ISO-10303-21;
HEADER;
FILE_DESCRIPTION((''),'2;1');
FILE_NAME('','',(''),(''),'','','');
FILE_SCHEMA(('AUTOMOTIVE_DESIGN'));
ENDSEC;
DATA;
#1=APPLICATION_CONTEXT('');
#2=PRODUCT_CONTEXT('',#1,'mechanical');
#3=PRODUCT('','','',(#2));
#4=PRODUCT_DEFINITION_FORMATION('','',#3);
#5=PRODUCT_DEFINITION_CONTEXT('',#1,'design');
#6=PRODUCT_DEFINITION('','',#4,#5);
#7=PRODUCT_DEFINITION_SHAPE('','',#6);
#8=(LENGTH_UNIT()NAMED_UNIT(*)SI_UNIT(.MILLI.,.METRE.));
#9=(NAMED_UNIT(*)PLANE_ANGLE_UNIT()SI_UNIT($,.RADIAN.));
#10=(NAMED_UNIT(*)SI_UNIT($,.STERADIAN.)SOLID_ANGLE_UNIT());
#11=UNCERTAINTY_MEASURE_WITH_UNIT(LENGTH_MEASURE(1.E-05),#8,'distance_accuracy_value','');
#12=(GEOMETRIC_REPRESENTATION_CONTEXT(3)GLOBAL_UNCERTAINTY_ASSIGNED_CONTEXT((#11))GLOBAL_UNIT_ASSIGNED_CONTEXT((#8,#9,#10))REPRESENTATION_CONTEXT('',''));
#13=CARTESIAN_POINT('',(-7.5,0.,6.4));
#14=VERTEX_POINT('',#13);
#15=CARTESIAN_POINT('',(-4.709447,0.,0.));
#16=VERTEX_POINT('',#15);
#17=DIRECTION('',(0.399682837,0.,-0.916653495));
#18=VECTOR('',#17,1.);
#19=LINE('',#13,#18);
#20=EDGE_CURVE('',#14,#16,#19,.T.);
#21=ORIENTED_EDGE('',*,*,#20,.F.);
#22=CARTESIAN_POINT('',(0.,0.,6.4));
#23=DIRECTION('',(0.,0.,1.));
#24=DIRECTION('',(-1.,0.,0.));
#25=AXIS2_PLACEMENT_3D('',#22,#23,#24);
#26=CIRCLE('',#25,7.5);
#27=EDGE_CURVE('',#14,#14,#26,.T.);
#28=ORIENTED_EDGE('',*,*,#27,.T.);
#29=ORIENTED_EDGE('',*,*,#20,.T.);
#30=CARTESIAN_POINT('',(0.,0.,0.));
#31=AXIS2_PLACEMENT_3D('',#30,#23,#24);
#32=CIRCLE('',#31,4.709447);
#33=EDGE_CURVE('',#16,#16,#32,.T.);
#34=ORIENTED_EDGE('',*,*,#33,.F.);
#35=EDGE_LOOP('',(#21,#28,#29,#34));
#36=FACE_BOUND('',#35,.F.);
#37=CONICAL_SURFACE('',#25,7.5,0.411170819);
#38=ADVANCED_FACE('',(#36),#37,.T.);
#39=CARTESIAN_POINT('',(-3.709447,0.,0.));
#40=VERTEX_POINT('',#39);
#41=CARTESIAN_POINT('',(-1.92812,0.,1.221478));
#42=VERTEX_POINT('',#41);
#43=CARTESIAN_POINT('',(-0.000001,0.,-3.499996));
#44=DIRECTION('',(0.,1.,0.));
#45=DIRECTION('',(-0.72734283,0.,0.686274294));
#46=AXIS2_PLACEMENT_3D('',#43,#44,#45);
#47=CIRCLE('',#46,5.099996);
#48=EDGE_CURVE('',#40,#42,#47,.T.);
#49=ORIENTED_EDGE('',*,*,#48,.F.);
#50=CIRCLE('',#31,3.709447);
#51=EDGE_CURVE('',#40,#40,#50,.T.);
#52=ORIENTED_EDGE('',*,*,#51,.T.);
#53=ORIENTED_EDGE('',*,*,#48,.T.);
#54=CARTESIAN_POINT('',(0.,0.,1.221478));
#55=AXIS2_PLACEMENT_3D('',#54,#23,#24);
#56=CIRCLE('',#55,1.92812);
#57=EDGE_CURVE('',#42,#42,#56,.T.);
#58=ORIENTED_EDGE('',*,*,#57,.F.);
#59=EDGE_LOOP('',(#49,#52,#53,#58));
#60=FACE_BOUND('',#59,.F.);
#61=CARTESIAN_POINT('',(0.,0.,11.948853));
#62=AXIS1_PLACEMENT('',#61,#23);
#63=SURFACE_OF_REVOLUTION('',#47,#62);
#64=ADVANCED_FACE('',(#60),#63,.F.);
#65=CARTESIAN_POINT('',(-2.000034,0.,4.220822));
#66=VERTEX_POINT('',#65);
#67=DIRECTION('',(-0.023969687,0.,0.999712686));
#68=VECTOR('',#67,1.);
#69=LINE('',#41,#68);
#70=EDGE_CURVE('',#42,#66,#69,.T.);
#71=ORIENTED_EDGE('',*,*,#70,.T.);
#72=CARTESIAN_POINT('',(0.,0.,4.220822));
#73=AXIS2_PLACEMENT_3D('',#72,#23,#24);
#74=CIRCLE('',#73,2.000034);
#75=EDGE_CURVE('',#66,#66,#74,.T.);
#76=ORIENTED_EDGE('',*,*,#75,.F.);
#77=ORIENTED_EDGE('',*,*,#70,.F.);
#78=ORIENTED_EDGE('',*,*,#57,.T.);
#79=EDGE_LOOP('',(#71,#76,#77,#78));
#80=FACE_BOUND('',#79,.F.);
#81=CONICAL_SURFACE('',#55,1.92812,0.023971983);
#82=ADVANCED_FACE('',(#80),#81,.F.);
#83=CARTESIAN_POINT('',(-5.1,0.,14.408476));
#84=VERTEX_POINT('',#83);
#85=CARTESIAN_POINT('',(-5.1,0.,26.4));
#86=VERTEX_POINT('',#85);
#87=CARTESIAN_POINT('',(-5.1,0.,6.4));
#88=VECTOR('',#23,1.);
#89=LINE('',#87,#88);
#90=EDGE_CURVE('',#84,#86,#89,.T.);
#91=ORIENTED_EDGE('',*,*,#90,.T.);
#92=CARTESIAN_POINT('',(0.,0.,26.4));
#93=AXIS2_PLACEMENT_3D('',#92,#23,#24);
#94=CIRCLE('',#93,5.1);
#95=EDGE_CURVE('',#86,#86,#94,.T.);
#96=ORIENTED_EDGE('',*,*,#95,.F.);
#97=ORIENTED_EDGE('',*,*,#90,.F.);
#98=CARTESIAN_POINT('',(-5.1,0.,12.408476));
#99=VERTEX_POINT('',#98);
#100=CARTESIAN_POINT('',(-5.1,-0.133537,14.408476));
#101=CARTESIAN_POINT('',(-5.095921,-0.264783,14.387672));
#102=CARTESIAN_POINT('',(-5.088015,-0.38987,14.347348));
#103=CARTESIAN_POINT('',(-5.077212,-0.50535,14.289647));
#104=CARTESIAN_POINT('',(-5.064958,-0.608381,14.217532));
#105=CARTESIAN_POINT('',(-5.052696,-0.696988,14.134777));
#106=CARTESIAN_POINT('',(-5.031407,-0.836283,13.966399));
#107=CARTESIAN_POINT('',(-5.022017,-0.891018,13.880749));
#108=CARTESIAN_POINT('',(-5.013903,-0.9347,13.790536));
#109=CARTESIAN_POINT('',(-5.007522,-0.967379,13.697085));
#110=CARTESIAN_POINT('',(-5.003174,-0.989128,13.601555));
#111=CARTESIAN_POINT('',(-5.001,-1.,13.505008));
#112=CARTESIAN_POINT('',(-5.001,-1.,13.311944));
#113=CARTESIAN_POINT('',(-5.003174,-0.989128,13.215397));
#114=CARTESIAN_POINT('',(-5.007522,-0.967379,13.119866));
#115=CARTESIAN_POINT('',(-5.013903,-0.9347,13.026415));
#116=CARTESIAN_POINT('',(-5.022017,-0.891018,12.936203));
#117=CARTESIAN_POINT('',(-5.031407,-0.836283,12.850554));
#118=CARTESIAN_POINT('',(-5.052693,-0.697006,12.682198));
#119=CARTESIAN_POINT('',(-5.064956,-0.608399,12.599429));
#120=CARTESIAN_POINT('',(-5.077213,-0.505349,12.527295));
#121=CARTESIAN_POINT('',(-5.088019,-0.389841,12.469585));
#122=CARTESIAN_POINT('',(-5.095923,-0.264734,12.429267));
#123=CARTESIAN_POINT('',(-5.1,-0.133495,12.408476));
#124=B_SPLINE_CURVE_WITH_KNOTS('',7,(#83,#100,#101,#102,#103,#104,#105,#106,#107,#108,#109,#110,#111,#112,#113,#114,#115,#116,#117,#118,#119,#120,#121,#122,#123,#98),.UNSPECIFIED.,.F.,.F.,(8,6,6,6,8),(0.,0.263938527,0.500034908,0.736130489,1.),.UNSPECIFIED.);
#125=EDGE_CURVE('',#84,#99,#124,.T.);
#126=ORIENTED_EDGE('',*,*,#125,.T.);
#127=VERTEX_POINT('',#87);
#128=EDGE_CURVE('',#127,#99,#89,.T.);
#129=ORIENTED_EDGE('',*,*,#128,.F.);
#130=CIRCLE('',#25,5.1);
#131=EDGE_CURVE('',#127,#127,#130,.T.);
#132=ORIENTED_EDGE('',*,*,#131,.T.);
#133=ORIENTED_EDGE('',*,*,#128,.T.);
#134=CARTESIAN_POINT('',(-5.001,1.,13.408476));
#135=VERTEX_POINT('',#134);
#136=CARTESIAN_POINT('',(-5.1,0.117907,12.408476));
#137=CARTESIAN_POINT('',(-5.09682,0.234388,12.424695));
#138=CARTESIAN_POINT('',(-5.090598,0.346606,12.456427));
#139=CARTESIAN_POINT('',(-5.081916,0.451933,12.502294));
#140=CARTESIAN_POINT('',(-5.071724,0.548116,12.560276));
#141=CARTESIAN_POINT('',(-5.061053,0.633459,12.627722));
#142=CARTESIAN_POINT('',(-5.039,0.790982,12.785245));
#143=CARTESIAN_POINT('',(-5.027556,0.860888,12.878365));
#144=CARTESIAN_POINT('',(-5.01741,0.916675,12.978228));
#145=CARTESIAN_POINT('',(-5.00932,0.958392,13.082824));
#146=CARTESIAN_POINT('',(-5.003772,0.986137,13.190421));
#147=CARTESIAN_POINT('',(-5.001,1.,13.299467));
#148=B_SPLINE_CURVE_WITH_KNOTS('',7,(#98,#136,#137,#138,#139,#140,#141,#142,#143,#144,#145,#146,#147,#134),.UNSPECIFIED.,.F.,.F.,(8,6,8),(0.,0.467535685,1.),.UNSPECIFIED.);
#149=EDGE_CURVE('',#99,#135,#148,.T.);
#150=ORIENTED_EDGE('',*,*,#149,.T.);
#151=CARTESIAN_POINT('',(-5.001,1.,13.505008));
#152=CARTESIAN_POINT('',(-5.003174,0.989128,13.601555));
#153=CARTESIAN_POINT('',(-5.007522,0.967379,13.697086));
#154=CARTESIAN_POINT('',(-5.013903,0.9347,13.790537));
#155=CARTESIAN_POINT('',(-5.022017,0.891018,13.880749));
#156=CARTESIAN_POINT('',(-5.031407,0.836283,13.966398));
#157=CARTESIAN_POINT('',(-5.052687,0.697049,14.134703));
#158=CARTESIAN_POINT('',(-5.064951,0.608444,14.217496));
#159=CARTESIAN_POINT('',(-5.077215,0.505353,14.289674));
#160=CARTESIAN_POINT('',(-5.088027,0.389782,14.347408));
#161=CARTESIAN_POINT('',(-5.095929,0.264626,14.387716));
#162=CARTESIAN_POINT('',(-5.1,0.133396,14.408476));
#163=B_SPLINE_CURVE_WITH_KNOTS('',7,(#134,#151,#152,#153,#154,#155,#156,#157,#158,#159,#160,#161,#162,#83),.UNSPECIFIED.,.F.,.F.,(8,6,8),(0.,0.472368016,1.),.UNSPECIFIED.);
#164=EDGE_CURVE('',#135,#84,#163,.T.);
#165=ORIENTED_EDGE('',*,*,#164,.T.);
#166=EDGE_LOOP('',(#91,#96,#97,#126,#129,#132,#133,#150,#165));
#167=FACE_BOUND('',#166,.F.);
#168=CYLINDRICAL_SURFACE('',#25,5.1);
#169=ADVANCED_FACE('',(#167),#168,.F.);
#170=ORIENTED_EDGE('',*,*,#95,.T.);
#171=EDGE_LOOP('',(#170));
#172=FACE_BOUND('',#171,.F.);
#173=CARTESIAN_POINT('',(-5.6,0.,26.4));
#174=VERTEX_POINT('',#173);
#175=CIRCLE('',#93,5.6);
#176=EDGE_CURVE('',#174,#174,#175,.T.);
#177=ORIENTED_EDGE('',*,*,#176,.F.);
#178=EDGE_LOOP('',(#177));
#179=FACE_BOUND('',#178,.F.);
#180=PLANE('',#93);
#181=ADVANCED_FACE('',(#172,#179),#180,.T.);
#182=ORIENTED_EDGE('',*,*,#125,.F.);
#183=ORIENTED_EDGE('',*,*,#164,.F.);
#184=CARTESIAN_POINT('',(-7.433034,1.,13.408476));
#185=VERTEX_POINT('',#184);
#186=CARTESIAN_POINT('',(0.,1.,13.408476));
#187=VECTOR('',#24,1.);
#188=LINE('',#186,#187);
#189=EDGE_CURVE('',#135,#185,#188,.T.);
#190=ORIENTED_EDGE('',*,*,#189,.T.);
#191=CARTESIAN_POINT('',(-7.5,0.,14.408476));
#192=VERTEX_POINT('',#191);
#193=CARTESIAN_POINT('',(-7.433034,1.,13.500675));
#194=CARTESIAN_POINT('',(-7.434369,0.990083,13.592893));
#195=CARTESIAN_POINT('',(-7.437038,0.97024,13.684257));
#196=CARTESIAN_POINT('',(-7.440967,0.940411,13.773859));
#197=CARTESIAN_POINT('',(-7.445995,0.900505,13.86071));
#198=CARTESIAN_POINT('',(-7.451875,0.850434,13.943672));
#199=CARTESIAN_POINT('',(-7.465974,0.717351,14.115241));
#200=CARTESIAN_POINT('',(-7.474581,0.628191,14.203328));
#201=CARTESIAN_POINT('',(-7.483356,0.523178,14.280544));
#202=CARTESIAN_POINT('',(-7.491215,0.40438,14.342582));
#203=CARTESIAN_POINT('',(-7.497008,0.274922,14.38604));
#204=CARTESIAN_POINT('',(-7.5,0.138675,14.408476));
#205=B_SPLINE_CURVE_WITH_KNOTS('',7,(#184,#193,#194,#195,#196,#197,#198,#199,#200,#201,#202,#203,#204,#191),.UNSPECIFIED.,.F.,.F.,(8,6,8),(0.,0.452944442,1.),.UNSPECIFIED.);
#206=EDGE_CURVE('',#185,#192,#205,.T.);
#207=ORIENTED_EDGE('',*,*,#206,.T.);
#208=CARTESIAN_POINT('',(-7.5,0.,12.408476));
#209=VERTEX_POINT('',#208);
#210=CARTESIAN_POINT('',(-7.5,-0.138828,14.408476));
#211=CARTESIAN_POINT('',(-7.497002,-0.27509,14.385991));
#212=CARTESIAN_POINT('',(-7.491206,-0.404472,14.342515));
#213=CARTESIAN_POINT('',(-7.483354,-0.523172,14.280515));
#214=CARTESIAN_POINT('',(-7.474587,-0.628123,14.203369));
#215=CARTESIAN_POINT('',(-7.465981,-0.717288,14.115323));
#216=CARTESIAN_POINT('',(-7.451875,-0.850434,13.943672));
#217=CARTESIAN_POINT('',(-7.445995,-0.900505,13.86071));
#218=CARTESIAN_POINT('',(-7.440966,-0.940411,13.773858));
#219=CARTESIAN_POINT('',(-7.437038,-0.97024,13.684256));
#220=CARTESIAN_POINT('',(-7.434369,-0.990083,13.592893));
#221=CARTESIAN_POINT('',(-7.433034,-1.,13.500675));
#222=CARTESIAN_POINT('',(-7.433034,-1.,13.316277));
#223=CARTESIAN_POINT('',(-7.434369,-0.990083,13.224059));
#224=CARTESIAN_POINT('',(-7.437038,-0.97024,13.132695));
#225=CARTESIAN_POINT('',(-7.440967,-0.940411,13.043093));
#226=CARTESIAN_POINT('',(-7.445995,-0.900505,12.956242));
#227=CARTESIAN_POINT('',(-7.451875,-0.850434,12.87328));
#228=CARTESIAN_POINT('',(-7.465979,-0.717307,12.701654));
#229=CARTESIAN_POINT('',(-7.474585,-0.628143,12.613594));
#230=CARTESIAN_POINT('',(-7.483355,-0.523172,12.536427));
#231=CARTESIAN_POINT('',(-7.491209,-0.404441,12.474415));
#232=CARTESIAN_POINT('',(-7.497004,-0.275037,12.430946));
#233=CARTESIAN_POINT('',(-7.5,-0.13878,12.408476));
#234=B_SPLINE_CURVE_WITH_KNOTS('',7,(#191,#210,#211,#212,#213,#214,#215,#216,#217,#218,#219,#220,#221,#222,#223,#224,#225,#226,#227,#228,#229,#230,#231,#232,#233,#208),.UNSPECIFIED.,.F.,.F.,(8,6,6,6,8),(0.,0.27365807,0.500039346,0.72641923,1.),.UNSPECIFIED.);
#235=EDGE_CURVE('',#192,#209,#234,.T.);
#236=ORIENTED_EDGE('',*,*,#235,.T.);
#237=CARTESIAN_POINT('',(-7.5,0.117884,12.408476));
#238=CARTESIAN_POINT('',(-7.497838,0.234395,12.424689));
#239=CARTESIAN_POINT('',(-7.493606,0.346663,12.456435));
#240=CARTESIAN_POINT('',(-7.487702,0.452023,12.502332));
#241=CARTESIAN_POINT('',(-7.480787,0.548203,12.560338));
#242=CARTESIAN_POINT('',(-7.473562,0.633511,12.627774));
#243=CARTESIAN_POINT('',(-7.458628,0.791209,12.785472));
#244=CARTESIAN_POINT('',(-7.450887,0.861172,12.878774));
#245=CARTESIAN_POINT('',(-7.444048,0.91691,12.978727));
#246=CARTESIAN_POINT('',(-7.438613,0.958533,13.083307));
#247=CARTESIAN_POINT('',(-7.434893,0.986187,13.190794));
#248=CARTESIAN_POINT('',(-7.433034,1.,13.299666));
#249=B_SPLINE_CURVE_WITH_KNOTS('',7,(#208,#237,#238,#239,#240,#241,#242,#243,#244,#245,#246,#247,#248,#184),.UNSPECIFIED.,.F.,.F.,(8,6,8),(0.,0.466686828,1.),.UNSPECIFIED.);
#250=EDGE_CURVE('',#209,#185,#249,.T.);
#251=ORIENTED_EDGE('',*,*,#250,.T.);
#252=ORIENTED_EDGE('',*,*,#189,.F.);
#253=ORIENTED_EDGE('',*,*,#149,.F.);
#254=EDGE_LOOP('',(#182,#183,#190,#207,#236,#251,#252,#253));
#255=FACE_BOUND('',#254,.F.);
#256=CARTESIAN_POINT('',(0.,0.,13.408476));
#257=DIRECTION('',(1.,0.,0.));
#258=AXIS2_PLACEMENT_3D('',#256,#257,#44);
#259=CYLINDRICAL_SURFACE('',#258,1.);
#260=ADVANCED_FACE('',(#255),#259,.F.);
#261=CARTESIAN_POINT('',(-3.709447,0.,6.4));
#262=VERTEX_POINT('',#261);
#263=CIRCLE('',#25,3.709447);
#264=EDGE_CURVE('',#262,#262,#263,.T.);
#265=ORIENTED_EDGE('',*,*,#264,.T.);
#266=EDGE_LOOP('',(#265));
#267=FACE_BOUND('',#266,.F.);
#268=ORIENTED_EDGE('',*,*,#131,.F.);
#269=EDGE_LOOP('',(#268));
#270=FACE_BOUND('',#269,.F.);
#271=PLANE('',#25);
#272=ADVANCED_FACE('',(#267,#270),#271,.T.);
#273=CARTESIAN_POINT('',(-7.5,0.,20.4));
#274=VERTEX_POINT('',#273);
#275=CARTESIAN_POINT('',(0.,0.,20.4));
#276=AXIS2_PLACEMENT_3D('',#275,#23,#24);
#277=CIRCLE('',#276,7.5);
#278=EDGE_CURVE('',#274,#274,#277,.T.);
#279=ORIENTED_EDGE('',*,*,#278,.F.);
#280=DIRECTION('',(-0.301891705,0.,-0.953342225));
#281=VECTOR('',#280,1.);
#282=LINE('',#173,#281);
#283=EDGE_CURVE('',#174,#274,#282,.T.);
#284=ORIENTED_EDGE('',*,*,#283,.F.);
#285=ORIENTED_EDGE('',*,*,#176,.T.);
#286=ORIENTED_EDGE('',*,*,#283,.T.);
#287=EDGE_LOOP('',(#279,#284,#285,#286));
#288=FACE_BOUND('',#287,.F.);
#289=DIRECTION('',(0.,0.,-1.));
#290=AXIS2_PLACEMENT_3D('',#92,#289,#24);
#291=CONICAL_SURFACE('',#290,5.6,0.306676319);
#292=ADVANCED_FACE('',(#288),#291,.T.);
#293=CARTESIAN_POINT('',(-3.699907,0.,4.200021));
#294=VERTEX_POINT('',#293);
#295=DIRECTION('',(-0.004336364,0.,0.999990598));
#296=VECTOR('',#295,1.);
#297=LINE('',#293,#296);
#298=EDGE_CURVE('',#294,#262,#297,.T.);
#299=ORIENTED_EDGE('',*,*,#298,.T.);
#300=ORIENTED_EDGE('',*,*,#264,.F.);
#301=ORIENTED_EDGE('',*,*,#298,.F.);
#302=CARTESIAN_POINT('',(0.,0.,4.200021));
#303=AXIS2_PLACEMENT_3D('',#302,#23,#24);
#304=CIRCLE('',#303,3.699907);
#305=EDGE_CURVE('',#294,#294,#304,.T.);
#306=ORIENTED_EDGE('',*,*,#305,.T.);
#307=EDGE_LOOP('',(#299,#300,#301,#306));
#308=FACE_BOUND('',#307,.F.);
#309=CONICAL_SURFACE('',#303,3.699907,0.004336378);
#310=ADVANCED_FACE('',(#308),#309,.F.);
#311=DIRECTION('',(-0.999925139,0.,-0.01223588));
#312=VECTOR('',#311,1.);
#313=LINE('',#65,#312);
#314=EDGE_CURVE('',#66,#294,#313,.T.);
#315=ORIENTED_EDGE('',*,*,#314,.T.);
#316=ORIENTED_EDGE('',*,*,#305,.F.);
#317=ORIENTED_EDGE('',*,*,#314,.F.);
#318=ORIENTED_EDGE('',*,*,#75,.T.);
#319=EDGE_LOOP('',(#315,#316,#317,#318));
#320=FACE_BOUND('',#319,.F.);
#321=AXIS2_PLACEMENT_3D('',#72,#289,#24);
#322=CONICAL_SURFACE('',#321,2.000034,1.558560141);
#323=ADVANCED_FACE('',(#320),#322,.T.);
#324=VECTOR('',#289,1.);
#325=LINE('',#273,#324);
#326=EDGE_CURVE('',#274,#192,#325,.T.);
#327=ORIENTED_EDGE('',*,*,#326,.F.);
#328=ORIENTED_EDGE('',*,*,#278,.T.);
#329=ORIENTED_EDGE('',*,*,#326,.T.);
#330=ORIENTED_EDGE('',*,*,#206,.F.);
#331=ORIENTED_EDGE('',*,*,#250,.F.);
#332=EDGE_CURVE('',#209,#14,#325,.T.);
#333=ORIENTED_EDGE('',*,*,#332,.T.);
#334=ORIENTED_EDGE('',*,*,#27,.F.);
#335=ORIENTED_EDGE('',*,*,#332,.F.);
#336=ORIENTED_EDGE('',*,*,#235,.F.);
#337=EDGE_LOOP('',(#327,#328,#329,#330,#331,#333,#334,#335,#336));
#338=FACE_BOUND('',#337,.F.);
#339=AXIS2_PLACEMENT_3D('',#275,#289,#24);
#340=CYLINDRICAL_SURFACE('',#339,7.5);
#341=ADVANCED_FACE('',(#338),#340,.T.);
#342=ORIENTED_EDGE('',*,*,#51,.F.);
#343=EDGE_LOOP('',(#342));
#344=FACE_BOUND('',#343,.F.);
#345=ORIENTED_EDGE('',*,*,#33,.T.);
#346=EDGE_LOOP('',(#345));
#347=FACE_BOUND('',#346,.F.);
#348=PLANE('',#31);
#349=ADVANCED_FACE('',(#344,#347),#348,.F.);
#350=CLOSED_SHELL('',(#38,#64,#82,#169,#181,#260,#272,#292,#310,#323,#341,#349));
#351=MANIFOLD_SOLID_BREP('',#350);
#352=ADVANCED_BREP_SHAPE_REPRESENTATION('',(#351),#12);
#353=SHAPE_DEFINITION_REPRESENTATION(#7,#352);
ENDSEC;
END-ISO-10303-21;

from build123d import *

# Parameters (mm, degrees)
F2_R     = 1
F3_DEPTH = 8.5


with BuildPart() as f1:
    # F0 (on Front) → F1 (revolve)
    with BuildSketch(Plane.XZ):
        with BuildLine():
            ThreePointArc((-3.709447, 0), (-2.884189, 0.706121), (-1.92812, 1.221478))
            Line((-1.92812, 1.221478), (-2.000034, 4.220822))
            Line((-2.000034, 4.220822), (-3.699907, 4.200021))
            Line((-3.699907, 4.200021), (-3.709447, 6.4))
            Line((-3.709447, 6.4), (-5.1, 6.4))
            Line((-5.1, 6.4), (-5.1, 26.4))
            Line((-5.1, 26.4), (-5.6, 26.4))
            Line((-5.6, 26.4), (-7.5, 20.4))
            Line((-7.5, 20.4), (-7.5, 6.4))
            Line((-7.5, 6.4), (-4.709447, 0))
            Line((-4.709447, 0), (-3.709447, 0))
        make_face()
    revolve(axis=Axis((0, 0, 11.948853), (0, 0, 1)))

    # F2 (on Right) → F3 (cut)
    with BuildSketch(Plane.YZ):
        with Locations((0, 13.408476)):
            Circle(F2_R)
    extrude(amount=-F3_DEPTH, mode=Mode.SUBTRACT)


solid = f1.part
